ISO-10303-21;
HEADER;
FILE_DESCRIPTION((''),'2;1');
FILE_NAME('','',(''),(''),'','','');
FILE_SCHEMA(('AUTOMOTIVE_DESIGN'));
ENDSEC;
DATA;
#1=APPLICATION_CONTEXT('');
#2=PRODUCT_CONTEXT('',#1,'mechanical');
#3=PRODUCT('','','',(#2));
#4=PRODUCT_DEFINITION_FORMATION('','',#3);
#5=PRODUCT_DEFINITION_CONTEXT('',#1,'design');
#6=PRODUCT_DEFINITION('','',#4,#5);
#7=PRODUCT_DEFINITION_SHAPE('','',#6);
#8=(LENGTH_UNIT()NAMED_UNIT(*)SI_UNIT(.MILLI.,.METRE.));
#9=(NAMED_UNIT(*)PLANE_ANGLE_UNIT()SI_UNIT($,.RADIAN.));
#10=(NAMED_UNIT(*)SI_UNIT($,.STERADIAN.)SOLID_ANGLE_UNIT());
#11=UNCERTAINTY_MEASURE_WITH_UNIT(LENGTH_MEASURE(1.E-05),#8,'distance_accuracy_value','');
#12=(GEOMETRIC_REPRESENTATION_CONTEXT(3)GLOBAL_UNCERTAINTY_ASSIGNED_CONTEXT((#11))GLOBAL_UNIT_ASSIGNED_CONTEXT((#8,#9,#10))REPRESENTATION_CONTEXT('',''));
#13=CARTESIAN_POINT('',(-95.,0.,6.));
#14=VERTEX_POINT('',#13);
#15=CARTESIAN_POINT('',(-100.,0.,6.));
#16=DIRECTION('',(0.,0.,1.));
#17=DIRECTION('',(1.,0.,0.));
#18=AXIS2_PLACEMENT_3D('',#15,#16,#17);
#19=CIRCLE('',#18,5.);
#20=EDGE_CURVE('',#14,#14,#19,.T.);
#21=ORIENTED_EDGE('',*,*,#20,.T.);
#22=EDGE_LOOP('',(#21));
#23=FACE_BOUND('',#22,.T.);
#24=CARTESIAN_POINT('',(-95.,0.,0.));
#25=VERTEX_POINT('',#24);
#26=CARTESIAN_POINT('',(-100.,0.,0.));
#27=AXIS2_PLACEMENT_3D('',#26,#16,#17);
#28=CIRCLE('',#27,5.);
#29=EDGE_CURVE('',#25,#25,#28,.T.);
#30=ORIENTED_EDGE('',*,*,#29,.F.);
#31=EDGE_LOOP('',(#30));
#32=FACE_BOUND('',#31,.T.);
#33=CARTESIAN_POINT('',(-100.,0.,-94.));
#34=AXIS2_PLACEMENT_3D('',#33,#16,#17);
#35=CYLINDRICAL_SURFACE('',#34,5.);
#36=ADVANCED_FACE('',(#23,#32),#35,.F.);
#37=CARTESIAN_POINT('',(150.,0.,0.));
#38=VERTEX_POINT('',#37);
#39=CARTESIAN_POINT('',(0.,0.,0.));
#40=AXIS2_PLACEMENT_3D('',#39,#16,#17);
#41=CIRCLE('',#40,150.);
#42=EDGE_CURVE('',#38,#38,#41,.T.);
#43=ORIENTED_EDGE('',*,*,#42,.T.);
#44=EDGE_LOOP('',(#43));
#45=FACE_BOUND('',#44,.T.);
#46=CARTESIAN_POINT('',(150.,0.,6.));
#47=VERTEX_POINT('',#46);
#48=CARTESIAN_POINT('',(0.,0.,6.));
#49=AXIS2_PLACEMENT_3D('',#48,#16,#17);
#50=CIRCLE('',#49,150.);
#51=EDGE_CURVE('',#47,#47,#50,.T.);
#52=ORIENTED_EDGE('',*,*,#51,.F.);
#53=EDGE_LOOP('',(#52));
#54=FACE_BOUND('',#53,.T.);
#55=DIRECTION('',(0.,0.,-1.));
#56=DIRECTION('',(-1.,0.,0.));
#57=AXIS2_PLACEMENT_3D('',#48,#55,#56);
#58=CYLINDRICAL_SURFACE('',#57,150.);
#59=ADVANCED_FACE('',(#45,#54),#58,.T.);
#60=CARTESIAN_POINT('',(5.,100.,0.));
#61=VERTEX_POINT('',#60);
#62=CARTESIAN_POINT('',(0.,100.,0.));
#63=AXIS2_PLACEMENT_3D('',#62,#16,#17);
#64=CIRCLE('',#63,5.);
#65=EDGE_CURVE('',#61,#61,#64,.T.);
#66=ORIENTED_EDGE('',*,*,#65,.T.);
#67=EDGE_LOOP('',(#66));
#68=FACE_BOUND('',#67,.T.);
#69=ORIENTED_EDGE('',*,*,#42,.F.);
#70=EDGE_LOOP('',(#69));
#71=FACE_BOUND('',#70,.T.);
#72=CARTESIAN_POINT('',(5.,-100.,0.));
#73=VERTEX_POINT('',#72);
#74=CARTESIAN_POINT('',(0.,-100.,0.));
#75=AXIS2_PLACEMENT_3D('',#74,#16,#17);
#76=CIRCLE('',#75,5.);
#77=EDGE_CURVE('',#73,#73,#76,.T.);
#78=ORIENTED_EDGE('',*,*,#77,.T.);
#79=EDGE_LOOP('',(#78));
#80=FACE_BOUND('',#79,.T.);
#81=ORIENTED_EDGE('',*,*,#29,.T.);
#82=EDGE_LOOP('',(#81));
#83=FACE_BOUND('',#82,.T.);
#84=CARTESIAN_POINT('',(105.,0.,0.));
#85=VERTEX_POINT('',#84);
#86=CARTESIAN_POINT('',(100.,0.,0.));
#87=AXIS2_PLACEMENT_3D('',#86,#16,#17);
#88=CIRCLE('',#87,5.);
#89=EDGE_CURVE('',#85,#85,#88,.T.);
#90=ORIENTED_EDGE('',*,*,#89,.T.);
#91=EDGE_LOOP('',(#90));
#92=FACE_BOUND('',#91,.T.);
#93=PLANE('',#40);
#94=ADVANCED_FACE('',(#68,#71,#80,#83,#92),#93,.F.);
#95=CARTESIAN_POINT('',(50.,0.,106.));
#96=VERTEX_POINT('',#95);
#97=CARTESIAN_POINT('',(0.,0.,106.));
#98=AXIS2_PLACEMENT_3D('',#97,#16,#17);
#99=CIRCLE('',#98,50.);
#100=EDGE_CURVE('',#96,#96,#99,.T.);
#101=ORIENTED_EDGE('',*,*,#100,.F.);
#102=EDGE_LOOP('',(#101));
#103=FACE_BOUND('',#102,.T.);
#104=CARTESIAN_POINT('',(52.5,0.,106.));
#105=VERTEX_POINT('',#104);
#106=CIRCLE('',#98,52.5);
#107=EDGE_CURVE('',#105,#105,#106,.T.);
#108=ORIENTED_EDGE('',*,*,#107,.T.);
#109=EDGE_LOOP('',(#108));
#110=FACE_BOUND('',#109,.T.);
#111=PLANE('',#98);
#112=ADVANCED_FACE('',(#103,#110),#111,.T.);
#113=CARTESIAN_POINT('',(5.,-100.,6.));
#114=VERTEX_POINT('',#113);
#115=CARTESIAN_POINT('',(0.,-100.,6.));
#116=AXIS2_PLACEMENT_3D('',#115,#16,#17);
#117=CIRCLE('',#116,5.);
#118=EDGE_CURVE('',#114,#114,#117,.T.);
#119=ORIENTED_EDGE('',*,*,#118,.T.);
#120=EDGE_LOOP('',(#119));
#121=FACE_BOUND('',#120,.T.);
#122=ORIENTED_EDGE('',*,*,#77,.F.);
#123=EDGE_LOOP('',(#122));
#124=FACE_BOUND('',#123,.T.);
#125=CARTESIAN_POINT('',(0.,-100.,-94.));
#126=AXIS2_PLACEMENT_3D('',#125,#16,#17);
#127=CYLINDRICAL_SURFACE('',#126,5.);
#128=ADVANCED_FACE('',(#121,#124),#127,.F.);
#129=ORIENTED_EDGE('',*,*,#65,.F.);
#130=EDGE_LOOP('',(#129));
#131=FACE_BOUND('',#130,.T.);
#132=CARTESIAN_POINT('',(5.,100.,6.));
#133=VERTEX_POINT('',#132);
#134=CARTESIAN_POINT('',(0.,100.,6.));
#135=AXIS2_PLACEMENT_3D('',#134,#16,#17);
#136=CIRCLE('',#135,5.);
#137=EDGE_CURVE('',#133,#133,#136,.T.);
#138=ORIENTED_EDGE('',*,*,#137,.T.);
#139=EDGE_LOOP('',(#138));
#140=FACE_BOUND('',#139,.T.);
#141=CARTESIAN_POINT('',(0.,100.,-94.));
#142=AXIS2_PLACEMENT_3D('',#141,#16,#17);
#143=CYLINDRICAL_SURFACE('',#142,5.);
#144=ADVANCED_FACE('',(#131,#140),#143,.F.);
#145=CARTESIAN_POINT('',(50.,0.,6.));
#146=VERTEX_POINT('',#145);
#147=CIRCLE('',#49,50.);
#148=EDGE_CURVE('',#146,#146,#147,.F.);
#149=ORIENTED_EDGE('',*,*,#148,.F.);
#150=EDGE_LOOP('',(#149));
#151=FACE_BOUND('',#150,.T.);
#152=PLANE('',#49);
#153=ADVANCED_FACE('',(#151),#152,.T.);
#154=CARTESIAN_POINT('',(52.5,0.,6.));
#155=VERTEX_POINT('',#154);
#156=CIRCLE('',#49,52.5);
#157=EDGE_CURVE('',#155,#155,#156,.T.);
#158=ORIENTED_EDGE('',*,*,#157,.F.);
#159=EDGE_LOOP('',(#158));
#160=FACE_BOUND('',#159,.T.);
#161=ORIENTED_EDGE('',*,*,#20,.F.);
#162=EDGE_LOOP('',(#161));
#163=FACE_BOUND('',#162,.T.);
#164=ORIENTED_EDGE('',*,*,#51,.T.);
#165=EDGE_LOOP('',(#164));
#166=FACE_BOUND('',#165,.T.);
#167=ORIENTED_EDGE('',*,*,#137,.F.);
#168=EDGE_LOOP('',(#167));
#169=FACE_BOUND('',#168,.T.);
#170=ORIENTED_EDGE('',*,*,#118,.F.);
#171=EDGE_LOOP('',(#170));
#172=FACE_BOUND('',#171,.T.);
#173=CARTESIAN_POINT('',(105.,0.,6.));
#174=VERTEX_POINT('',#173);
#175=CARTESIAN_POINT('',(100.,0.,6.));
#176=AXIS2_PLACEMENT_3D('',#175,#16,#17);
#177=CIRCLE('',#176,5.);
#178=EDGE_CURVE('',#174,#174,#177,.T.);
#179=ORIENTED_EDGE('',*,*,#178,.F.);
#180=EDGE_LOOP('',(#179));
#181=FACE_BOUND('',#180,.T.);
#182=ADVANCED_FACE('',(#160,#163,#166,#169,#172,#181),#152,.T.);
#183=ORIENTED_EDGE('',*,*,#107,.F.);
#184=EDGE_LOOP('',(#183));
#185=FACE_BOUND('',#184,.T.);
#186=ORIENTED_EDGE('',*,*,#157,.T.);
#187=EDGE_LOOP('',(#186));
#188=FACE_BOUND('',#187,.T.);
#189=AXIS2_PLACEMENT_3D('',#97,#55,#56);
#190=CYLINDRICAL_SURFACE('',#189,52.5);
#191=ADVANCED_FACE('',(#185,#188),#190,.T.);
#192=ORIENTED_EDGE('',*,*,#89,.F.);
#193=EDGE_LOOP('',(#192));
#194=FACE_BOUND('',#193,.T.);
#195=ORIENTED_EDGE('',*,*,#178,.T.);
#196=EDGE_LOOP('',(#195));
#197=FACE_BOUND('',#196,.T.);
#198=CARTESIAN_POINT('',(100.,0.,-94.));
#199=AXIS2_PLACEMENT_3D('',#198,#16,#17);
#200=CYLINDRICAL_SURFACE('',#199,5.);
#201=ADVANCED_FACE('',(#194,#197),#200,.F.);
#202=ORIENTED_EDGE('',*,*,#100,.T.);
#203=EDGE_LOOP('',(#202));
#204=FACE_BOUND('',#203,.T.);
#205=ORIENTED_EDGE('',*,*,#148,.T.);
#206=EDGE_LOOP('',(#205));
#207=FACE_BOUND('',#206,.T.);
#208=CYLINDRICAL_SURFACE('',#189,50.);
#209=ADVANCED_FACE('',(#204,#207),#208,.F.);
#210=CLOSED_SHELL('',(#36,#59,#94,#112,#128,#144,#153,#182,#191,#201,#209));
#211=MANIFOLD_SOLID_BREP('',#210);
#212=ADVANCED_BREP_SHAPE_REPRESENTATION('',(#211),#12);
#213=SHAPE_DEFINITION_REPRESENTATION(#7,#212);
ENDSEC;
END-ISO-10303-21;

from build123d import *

# Parameters (mm, degrees)
SKETCH2_R           = 150
BOSS_EXTRUDE1_DEPTH = 6
SKETCH3_R           = 52.5
SKETCH3_R_2         = 50
BOSS_EXTRUDE2_DEPTH = 100
SKETCH4_R           = 5
CUT_EXTRUDE1_DEPTH  = 100


with BuildPart() as part:
    # Sketch2 → Boss-Extrude1 (new body)
    with BuildSketch(Plane.XY):
        Circle(SKETCH2_R)
    extrude(amount=BOSS_EXTRUDE1_DEPTH)

    # Sketch3 → Boss-Extrude2 (add)
    with BuildSketch(Plane.XY.offset(6)):
        Circle(SKETCH3_R)
        Circle(SKETCH3_R_2, mode=Mode.SUBTRACT)
    extrude(amount=BOSS_EXTRUDE2_DEPTH)

    # Sketch4 → Cut-Extrude1 (cut)
    with BuildSketch(Plane.XY.offset(6)):
        with Locations((100, 0)):
            Circle(SKETCH4_R)
        with Locations((0, -100)):
            Circle(SKETCH4_R)
        with Locations((-100, 0)):
            Circle(SKETCH4_R)
        with Locations((0, 100)):
            Circle(SKETCH4_R)
    extrude(amount=-CUT_EXTRUDE1_DEPTH, mode=Mode.SUBTRACT)


solid = part.part
